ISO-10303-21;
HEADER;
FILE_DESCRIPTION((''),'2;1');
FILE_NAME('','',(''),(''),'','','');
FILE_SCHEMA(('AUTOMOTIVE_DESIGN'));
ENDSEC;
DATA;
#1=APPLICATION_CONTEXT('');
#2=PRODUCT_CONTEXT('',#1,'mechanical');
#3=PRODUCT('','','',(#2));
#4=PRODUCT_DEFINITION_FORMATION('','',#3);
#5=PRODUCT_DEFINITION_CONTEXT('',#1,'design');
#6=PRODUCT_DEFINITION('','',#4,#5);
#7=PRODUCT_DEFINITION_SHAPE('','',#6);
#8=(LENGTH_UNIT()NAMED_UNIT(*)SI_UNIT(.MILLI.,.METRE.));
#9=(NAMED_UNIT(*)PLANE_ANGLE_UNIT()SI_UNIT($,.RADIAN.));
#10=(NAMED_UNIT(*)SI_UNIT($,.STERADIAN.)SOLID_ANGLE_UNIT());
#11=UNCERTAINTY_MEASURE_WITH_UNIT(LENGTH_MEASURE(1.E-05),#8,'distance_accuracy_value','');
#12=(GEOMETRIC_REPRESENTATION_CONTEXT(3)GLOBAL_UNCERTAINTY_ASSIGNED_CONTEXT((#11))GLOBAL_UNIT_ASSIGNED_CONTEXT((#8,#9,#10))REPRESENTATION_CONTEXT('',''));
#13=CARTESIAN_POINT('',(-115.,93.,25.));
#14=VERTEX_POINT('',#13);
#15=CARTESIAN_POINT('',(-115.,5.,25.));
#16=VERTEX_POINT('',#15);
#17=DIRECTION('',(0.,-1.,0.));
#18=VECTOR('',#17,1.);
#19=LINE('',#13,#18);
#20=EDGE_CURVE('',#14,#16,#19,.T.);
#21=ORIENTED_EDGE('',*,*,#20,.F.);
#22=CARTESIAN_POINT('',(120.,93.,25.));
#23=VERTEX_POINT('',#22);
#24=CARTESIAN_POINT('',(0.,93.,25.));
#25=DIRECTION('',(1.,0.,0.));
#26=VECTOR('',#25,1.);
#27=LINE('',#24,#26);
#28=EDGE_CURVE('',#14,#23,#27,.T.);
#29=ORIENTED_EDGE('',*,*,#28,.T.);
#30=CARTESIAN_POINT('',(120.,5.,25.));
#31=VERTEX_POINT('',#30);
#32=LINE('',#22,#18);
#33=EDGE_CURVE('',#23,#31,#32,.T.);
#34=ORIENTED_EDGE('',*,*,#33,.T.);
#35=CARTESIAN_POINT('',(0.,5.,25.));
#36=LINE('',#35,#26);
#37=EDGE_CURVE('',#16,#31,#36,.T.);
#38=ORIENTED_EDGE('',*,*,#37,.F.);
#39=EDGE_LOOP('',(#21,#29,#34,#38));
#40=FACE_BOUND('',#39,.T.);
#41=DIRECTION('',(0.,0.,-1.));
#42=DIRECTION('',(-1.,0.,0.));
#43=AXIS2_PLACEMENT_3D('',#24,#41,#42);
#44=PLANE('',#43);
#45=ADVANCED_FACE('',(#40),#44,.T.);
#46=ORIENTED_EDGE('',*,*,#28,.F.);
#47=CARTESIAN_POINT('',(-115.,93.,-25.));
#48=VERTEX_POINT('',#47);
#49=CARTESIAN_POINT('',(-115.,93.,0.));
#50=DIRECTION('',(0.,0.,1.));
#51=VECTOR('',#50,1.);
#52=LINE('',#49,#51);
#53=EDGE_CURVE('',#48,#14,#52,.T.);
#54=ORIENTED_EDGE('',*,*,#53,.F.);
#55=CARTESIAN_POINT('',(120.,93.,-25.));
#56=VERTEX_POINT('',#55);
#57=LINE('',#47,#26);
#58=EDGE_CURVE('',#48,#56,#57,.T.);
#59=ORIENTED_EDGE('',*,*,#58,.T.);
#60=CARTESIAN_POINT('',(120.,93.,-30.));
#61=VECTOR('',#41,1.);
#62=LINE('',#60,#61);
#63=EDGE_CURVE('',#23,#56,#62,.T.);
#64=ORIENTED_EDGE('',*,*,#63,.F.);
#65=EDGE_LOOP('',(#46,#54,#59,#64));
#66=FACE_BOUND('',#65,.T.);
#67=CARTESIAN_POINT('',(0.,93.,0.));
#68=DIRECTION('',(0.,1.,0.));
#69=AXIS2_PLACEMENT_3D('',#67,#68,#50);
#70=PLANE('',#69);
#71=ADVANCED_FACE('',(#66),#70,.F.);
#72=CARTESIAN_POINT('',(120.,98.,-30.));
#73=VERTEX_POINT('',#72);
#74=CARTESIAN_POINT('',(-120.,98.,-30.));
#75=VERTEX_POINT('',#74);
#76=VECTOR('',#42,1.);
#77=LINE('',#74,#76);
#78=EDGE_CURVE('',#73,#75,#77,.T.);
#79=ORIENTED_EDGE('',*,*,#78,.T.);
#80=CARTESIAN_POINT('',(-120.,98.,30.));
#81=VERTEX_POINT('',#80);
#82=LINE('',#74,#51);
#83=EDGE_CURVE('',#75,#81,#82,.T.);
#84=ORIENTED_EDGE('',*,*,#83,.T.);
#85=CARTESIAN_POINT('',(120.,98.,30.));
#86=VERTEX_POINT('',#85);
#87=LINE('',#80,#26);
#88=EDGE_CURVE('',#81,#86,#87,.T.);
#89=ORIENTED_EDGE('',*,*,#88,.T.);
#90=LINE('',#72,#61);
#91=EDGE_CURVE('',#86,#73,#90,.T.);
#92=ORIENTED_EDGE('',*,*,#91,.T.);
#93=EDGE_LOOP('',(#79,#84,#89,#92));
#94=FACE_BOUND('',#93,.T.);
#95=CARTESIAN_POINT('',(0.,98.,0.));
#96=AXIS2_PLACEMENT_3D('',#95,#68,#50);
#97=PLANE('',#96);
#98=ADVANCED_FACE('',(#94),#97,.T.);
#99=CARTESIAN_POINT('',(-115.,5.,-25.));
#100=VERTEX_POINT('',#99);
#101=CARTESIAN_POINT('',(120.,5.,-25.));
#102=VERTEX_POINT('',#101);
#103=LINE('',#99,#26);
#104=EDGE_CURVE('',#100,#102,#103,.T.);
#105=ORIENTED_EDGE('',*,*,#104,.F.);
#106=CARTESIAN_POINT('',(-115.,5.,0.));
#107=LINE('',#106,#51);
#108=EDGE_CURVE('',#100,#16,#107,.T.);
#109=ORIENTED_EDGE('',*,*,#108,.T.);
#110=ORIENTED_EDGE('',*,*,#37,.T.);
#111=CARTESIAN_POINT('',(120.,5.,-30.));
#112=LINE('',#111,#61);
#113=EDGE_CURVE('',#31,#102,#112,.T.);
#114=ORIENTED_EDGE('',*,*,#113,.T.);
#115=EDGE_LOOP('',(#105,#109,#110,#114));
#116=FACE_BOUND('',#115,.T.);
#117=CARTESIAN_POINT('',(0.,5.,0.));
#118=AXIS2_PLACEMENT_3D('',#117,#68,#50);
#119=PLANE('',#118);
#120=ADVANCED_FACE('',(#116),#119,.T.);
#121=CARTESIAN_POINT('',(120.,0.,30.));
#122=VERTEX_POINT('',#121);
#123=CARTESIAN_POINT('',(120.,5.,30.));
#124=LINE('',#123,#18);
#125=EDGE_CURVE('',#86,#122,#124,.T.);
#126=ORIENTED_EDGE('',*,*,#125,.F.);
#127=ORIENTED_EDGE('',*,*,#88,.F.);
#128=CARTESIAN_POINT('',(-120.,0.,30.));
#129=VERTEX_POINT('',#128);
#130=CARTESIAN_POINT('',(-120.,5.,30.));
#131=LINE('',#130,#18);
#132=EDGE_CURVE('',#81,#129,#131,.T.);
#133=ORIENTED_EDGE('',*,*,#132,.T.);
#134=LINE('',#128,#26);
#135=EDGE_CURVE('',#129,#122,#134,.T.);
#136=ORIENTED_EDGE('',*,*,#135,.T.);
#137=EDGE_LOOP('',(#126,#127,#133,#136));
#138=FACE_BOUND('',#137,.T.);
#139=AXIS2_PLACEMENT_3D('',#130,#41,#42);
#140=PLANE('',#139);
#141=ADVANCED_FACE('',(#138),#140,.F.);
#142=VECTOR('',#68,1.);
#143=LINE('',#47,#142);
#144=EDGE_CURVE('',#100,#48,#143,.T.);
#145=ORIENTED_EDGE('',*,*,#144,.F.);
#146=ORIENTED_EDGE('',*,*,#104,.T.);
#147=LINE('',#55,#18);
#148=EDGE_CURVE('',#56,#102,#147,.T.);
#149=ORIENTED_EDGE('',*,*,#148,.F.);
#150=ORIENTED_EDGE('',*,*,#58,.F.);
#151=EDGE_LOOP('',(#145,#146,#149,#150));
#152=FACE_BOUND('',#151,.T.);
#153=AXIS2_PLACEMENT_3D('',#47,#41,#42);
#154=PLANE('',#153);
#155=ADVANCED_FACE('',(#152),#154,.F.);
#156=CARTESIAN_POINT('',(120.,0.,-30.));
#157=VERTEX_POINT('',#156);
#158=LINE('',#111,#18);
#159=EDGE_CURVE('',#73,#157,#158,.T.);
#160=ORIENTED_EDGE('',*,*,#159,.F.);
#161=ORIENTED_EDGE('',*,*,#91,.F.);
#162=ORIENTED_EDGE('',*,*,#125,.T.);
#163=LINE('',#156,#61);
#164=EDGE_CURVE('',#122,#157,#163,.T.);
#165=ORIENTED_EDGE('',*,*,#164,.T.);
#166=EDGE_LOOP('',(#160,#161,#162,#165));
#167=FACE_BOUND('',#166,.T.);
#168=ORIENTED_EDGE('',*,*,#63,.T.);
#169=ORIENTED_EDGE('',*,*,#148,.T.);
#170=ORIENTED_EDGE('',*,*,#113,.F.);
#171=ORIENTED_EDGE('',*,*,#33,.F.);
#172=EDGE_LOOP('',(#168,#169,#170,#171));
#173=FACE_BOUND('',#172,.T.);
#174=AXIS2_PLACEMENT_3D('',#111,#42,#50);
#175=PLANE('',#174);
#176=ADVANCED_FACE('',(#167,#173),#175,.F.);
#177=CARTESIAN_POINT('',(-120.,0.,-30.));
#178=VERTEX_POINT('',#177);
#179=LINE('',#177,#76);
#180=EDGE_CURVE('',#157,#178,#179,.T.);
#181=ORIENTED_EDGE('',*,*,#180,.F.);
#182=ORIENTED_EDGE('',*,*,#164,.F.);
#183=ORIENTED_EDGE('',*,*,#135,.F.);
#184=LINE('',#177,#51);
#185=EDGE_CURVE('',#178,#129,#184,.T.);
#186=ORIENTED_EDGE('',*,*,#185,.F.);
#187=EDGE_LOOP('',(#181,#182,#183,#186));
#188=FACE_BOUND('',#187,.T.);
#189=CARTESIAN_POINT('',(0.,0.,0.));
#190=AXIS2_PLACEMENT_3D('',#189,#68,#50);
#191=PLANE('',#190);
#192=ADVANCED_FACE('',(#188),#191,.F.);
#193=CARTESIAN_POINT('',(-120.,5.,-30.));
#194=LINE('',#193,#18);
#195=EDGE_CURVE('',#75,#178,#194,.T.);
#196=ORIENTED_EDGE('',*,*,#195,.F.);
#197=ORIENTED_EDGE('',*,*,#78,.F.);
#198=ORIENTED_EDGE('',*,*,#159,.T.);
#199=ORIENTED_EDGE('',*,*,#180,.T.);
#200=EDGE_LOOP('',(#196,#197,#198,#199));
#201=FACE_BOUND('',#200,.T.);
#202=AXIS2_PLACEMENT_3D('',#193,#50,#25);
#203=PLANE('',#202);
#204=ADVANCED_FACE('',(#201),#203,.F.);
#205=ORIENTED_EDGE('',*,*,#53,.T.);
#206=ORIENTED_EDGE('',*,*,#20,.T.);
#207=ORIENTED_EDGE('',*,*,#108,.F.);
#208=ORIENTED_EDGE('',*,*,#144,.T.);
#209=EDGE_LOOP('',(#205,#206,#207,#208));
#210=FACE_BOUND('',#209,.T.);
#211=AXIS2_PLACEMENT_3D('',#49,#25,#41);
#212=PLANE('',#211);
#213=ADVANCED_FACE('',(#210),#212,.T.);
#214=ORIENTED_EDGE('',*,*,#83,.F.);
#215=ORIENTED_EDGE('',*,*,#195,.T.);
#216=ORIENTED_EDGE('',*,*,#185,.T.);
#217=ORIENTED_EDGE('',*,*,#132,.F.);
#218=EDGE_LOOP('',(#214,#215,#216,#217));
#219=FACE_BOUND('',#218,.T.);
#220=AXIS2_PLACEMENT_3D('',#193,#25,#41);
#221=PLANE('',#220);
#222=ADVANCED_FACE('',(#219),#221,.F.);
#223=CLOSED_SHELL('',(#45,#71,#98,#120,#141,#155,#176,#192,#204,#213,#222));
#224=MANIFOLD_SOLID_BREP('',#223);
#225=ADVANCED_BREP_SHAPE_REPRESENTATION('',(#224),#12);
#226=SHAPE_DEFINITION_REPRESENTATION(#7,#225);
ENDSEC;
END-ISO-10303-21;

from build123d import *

# Parameters (mm, degrees)
SKETCH1_W           = 240
SKETCH1_H           = 60
BOSS_EXTRUDE1_DEPTH = 5
BOSS_EXTRUDE2_DEPTH = 88
BOSS_EXTRUDE3_START = 93
SKETCH1_2_W         = 240
SKETCH1_2_H         = 60
BOSS_EXTRUDE3_DEPTH = 5


with BuildPart() as part:
    # Sketch1 → Boss-Extrude1 (new body)
    with BuildSketch(Plane(origin=(0, 0, 0), x_dir=(1, 0, 0), z_dir=(0, 1, 0))):
        Rectangle(SKETCH1_W, SKETCH1_H)
    extrude(amount=BOSS_EXTRUDE1_DEPTH)

    # Sketch2 → Boss-Extrude2 (add)
    with BuildSketch(Plane(origin=(0, 5, 0), x_dir=(1, 0, 0), z_dir=(0, 1, 0))):
        Polygon((-120, 30), (-120, -30), (120, -30), (120, -25), (-115, -25), (-115, 25), (120, 25), (120, 30), align=None)
    extrude(amount=BOSS_EXTRUDE2_DEPTH)

    # Sketch1<2> → Boss-Extrude3 (add)
    with BuildSketch(Plane(origin=(0, 0, 0), x_dir=(1, 0, 0), z_dir=(0, 1, 0)).offset(BOSS_EXTRUDE3_START)):
        Rectangle(SKETCH1_2_W, SKETCH1_2_H)
    extrude(amount=BOSS_EXTRUDE3_DEPTH)


solid = part.part
